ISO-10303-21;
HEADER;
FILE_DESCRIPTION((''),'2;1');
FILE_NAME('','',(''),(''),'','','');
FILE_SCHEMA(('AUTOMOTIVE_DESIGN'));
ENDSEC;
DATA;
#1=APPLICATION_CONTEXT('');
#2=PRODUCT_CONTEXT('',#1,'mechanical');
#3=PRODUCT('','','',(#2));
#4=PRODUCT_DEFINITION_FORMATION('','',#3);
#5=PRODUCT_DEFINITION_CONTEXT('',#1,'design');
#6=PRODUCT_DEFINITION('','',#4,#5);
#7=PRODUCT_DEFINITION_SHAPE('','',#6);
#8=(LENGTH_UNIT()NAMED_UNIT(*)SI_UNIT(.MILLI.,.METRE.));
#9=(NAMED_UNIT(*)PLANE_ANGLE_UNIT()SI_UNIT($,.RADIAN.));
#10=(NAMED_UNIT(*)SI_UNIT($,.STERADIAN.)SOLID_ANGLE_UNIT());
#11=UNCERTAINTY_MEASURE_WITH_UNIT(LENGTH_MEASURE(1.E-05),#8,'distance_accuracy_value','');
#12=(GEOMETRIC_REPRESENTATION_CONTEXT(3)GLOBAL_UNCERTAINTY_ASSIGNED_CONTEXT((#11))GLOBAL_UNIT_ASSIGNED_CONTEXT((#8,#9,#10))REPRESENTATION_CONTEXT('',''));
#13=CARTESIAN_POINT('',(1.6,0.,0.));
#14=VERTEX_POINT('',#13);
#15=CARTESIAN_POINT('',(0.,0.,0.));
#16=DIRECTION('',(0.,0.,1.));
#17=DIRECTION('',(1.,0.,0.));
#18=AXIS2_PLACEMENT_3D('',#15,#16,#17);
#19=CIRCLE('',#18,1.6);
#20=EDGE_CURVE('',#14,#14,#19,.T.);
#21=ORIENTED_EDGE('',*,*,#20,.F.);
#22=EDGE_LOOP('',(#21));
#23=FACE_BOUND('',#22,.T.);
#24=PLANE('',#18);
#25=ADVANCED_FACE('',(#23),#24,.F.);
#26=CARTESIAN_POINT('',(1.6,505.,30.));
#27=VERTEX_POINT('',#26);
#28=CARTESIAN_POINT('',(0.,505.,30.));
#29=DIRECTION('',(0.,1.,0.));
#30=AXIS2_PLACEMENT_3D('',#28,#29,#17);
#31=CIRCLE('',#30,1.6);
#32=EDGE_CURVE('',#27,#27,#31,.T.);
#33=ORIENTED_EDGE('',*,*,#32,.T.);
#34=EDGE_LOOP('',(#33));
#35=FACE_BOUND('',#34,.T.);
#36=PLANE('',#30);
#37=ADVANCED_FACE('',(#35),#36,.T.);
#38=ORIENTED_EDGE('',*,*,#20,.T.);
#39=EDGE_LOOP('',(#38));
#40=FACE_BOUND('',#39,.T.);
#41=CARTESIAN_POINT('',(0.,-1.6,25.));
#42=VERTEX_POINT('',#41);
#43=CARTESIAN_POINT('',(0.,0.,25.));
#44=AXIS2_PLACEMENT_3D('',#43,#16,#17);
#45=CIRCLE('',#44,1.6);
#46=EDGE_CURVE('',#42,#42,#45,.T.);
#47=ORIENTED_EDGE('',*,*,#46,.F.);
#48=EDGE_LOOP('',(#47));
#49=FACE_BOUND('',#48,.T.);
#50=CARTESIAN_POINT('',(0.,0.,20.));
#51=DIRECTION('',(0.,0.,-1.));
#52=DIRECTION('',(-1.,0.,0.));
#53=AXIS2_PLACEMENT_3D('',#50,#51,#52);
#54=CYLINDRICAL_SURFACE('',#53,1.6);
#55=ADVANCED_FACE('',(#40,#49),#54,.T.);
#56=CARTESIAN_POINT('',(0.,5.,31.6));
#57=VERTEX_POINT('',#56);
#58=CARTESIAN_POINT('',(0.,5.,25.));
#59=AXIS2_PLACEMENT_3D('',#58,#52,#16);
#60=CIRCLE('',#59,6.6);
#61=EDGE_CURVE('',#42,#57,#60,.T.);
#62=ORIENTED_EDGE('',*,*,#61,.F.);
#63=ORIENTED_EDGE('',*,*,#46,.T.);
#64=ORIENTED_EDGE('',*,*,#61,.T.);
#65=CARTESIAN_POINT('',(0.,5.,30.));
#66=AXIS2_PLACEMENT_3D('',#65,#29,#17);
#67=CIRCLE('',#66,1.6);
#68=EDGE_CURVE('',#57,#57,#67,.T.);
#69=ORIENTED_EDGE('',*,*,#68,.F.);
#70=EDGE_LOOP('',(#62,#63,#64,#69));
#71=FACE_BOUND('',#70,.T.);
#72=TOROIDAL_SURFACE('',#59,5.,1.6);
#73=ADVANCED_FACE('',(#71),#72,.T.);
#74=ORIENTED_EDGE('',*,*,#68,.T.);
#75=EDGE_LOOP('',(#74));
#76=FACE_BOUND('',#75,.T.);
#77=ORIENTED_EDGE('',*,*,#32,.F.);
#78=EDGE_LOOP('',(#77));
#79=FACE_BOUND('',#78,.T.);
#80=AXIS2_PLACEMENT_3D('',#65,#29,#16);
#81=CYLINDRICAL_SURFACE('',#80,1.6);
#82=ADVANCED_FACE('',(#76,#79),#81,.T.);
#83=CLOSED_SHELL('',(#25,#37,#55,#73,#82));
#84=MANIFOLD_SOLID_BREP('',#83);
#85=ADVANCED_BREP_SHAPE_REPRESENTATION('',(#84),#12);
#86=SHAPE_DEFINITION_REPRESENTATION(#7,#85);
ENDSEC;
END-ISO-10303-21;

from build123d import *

# Parameters (mm, degrees)
SKETCH_1_R      = 1.6
EXTRUDE_1_DEPTH = 20
SKETCH_2_R      = 1.6


with BuildPart() as part:
    # ｽｹｯﾁ1 → ﾎﾞｽ - 押し出し1 (new body)
    with BuildSketch(Plane.XY):
        Circle(SKETCH_1_R)
    extrude(amount=EXTRUDE_1_DEPTH)

    # ｽｲｰﾌﾟ1: sweep along a path in ｽｹｯﾁ3
    with BuildLine(Plane(origin=(0, 0, 0), x_dir=(0, 0, -1), z_dir=(1, 0, 0))) as sweep_1_path:
        Line((-20, 0), (-25, 0))
        ThreePointArc((-25, 0), (-28.535533906, 1.464466094), (-30, 5))
        Line((-30, 5), (-30, 505))
    # ｽｹｯﾁ2 → ｽｲｰﾌﾟ1 (sweep)
    with BuildSketch(Plane.XY.offset(20)):
        Circle(SKETCH_2_R)
    sweep(path=sweep_1_path.line)


solid = part.part
